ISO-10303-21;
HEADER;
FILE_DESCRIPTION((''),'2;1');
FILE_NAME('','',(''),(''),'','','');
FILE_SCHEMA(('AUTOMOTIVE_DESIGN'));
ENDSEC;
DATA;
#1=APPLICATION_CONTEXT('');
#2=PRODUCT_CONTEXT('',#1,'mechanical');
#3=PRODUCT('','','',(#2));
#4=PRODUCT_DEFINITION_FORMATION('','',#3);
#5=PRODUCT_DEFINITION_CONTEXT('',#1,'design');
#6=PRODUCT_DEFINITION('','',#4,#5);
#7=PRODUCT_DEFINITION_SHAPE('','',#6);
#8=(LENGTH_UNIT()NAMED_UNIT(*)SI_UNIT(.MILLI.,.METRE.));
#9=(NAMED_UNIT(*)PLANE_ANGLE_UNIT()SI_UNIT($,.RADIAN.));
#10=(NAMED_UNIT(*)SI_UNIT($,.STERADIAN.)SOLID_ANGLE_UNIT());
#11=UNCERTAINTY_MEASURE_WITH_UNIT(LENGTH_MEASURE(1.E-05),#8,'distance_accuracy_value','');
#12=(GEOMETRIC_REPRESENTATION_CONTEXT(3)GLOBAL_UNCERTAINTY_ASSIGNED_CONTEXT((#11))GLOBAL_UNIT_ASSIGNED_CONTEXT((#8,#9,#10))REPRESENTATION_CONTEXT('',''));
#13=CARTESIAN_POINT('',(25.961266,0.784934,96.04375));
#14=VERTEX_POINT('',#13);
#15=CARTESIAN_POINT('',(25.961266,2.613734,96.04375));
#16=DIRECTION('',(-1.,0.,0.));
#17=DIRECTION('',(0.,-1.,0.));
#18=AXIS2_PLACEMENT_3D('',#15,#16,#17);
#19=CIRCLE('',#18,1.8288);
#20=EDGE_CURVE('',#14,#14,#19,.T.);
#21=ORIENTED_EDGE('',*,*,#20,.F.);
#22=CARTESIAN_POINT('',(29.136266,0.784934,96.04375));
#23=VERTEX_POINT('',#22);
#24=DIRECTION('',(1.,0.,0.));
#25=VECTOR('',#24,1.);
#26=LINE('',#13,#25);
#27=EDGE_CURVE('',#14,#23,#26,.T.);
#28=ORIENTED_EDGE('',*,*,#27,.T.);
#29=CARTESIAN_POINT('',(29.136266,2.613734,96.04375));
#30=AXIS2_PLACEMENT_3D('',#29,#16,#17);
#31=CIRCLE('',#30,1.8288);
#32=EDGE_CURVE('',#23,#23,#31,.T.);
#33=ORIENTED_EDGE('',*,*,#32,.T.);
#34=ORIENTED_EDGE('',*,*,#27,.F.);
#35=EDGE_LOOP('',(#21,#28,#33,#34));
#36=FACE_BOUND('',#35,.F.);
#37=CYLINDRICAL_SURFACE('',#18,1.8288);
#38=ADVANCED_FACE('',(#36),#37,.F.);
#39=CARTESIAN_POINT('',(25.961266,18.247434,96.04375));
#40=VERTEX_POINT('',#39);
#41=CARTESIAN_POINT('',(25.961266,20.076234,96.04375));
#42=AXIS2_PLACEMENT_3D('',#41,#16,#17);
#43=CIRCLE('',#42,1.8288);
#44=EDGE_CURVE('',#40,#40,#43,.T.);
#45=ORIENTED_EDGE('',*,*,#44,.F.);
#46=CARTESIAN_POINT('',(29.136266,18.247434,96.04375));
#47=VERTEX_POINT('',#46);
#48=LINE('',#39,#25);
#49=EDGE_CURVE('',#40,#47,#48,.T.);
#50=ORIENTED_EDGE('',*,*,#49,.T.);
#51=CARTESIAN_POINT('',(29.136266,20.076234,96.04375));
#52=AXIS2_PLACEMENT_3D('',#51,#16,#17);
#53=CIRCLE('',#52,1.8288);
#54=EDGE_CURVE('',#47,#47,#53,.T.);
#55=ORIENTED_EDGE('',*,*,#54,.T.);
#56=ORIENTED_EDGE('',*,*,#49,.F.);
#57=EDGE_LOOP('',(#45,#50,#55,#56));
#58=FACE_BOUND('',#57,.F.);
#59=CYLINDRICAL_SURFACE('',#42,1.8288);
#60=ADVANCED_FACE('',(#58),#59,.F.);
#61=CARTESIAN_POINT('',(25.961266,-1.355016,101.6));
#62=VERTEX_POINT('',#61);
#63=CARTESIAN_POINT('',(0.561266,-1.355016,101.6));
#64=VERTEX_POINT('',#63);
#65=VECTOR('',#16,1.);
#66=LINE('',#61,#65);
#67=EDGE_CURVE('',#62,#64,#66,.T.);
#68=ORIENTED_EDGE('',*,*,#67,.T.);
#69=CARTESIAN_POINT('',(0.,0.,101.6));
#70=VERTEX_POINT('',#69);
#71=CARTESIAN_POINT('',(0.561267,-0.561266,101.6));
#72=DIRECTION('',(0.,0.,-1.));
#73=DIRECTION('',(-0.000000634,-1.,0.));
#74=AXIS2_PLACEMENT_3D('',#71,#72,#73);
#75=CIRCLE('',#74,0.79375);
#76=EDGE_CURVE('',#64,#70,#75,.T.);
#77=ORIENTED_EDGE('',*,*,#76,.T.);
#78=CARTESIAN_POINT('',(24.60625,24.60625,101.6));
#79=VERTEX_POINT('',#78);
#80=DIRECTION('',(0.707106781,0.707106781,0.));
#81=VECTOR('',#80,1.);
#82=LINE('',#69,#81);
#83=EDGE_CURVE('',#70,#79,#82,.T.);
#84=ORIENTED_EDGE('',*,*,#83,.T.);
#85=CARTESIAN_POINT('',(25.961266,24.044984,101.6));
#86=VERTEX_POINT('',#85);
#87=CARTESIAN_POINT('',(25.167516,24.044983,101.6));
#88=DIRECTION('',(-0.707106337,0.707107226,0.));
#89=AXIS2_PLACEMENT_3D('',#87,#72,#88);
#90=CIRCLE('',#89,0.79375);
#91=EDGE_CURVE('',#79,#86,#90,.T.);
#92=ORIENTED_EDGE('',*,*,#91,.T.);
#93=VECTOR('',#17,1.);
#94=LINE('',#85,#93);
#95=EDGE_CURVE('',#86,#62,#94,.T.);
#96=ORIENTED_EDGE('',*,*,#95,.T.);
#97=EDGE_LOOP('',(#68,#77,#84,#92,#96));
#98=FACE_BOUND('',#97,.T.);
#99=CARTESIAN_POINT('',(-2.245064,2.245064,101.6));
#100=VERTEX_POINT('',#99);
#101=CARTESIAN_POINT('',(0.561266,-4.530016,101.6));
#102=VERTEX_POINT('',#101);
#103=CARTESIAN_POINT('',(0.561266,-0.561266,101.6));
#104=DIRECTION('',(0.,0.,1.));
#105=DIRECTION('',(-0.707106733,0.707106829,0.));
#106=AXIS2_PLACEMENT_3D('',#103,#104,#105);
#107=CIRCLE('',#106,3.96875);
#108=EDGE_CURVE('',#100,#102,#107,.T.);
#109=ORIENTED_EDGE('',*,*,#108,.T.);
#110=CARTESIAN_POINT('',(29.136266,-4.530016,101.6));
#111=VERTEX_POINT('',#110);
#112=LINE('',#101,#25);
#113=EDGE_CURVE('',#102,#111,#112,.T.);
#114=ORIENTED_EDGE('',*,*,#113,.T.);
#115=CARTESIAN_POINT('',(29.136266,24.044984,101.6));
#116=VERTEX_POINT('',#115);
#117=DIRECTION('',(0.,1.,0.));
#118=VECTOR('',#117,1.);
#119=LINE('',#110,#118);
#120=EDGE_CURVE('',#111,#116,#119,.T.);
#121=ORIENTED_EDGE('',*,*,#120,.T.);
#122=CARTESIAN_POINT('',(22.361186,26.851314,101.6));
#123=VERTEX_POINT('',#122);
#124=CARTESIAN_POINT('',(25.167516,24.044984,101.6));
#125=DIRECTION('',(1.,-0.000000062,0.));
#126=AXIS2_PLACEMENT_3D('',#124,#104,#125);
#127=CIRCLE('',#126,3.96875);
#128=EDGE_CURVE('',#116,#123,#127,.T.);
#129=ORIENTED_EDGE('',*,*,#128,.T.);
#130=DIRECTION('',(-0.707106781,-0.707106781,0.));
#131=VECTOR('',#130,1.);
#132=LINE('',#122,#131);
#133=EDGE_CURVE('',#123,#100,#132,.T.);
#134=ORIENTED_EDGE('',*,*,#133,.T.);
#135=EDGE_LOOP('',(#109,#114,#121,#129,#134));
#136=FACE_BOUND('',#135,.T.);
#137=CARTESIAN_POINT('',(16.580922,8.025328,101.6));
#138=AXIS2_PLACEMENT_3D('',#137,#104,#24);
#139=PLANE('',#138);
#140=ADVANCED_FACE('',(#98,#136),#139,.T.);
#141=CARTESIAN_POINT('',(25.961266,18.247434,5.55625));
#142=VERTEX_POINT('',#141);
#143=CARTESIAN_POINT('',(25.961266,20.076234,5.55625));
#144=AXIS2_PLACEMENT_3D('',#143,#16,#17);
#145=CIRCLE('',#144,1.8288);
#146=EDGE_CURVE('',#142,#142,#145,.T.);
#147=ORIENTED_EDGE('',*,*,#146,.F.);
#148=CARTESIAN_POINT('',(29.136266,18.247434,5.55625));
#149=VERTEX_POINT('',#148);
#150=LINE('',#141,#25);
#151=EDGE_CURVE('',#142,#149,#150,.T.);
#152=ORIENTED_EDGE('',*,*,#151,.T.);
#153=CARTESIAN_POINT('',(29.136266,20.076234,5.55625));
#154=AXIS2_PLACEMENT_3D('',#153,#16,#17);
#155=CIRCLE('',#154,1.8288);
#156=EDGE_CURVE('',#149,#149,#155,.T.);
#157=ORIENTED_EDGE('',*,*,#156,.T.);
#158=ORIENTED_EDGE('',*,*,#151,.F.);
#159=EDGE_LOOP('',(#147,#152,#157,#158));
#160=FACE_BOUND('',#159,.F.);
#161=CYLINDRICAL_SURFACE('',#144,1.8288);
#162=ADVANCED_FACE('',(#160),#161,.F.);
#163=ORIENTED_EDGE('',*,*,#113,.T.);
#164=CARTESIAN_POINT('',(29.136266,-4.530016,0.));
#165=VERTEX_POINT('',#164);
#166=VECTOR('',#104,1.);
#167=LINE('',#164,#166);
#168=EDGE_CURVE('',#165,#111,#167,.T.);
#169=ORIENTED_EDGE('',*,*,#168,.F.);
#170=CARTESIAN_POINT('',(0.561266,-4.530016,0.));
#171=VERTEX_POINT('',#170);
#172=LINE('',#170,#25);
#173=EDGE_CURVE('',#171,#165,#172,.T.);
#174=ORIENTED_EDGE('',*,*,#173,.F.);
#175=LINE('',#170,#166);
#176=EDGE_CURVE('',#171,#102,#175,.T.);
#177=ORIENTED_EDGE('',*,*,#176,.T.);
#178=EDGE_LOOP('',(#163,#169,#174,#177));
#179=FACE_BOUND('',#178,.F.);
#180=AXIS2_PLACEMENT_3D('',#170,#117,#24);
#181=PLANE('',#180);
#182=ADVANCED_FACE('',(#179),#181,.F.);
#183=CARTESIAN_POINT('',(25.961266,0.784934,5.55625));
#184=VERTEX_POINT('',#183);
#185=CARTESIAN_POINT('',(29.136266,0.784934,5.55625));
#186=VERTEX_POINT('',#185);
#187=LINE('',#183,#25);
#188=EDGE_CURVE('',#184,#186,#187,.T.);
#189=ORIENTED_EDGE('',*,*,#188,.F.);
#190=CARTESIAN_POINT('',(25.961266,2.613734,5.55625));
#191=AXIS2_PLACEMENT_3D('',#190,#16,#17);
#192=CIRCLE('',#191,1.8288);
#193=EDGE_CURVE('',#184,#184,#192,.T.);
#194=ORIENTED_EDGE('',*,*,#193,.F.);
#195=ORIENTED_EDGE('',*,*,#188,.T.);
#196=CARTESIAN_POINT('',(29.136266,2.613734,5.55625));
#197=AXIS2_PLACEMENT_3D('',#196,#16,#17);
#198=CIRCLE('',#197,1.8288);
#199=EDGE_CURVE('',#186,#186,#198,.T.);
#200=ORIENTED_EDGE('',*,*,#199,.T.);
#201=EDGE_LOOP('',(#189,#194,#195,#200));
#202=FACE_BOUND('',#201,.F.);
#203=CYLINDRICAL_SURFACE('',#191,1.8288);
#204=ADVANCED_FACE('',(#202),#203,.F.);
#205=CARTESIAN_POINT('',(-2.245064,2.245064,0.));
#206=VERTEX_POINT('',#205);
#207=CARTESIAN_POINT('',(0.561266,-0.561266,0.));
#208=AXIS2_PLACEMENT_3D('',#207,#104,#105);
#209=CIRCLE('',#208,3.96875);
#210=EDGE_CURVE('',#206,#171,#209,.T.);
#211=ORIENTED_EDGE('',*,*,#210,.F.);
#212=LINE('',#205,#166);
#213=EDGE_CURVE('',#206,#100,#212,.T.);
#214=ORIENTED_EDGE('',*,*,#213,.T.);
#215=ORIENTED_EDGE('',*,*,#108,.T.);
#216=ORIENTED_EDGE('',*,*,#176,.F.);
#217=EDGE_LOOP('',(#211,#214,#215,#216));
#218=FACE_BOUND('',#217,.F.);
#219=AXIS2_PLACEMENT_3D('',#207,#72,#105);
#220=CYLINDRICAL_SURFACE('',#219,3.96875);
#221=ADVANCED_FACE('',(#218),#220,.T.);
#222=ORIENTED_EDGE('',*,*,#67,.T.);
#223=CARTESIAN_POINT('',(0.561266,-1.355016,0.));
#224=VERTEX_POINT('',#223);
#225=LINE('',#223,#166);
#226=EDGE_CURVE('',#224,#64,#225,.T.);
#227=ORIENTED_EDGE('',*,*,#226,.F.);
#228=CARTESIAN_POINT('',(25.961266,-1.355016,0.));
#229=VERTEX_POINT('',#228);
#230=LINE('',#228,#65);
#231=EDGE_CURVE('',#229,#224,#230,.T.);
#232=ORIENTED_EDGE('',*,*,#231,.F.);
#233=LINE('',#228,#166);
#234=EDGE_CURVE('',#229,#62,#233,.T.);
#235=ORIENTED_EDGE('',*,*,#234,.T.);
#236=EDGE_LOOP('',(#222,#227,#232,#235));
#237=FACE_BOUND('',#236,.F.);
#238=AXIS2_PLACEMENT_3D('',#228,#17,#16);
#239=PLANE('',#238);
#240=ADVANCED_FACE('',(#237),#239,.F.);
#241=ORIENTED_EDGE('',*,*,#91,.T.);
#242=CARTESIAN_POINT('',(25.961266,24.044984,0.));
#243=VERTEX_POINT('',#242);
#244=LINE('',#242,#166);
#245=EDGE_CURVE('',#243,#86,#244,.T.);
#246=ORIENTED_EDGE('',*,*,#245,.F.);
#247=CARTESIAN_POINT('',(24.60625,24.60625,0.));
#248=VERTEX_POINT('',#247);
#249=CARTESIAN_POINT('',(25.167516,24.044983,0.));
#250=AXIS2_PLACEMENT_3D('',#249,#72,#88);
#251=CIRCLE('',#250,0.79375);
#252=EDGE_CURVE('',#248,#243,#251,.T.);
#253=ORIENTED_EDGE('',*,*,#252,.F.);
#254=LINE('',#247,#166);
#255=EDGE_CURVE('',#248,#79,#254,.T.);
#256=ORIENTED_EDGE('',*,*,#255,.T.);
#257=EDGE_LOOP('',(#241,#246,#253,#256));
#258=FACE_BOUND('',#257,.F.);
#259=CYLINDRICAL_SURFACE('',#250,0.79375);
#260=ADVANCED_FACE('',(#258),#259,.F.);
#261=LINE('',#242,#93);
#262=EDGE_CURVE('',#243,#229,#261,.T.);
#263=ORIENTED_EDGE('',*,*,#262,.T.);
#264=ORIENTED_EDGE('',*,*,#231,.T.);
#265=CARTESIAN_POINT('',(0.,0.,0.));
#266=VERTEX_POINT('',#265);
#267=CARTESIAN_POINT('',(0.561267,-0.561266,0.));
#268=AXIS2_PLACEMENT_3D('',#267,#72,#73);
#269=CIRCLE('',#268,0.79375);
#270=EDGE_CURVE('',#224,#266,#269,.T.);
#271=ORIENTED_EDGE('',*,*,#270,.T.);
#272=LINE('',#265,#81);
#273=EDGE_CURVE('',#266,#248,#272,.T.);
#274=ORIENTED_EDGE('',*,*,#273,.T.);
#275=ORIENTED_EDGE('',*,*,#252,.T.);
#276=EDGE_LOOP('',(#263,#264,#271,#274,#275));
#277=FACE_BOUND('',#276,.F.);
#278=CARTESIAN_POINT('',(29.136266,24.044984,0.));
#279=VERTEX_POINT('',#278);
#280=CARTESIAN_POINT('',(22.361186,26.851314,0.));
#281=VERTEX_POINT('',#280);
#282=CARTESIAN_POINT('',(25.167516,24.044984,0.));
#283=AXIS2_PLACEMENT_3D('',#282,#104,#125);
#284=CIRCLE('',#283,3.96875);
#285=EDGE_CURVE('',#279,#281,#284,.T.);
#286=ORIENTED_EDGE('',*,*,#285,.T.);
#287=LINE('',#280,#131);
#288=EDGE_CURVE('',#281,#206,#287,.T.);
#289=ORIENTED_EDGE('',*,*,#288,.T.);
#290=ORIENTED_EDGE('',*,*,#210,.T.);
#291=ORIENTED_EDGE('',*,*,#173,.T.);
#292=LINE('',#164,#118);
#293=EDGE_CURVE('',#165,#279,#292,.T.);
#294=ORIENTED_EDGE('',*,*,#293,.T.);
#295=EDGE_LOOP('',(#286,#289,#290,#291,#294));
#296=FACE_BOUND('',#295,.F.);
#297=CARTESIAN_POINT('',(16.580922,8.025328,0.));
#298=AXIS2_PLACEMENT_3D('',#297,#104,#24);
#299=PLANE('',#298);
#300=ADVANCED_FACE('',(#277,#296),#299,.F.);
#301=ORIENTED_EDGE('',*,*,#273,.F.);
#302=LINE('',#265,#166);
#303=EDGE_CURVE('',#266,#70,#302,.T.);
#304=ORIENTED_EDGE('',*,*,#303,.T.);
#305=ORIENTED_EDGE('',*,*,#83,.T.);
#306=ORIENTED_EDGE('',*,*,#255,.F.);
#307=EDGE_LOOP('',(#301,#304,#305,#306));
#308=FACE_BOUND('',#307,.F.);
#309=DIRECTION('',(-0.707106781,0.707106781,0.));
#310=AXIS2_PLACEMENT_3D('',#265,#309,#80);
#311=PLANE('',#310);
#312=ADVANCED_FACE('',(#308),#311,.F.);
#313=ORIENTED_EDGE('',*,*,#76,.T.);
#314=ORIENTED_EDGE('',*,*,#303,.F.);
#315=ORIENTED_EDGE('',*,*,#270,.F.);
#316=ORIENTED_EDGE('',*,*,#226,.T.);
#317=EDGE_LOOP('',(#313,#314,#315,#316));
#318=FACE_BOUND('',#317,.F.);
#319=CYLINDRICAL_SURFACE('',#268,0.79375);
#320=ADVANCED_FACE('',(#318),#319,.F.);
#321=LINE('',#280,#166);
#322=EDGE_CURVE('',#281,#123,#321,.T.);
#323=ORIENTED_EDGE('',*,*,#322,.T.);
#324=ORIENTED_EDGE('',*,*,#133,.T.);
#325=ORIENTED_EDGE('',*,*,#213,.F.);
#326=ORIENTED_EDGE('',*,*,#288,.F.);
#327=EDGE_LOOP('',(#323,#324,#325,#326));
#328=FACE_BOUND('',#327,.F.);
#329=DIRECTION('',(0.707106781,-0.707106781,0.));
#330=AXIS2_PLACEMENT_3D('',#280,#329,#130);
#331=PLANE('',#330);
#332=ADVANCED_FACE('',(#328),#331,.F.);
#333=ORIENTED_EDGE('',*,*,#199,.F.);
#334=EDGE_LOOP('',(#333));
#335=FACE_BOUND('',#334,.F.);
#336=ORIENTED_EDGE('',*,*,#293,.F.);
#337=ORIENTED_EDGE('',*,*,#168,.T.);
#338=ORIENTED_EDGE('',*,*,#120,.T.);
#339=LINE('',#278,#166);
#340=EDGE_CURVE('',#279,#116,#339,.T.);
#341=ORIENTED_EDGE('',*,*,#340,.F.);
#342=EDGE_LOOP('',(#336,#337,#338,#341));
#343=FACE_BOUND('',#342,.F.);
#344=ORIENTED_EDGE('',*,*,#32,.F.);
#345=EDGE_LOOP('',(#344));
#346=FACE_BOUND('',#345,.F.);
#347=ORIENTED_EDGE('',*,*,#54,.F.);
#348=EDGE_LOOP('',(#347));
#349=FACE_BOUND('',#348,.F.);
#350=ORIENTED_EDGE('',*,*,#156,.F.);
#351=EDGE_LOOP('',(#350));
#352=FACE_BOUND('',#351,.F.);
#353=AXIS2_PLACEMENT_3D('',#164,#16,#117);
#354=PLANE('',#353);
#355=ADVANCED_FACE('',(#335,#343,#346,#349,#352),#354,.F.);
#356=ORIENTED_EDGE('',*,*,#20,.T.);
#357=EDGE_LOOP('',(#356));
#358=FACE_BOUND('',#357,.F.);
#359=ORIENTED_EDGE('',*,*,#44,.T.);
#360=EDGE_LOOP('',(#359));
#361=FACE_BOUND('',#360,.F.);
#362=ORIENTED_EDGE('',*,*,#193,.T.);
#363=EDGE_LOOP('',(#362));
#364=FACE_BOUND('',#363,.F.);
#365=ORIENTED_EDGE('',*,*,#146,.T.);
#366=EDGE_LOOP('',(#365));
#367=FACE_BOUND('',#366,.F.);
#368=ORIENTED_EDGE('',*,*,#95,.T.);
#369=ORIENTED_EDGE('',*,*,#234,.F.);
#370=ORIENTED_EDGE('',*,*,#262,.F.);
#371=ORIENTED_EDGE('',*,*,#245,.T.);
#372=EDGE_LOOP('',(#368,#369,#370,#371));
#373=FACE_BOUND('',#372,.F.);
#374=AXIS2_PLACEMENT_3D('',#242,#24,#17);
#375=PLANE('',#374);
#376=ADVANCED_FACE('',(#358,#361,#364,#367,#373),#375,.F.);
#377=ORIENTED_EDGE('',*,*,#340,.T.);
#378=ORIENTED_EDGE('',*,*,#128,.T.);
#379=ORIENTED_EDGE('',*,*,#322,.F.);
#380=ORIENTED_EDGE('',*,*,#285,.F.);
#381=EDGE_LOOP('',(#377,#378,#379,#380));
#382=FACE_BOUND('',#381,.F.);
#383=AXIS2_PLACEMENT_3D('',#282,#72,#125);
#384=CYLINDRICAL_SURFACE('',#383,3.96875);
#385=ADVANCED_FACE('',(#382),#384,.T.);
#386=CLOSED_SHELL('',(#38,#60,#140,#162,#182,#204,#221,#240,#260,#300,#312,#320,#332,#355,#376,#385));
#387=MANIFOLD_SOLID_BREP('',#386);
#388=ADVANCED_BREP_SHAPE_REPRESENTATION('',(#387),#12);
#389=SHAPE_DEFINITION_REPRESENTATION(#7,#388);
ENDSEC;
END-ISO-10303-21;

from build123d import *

# Parameters (mm, degrees)
F1_DEPTH = 101.6
F2_R     = 1.8288
F3_DEPTH = 3.175


with BuildPart() as f1:
    # F0 (on Top) → F1 (new body)
    with BuildSketch(Plane.XY):
        with BuildLine():
            Line((29.136266, -4.530016), (29.136266, 24.044984))
            ThreePointArc((29.136266, 24.044984), (26.686291, 27.711631), (22.361186, 26.851314))
            Line((22.361186, 26.851314), (-2.245064, 2.245064))
            ThreePointArc((-2.245064, 2.245064), (-3.105381, -2.080041), (0.561266, -4.530016))
            Line((0.561266, -4.530016), (29.136266, -4.530016))
        make_face()
        with BuildLine():
            Line((25.961266, -1.355016), (0.561266, -1.355016))
            ThreePointArc((0.561266, -1.355016), (-0.172063, -0.865021), (0, 0))
            Line((0, 0), (24.60625, 24.60625))
            ThreePointArc((24.60625, 24.60625), (25.471271, 24.778313), (25.961266, 24.044984))
            Line((25.961266, 24.044984), (25.961266, -1.355016))
        make_face(mode=Mode.SUBTRACT)
    extrude(amount=F1_DEPTH)

    # F2 (on face) → F3 (cut, through all)
    with BuildSketch(Plane(origin=(25.961266, 0, 0), x_dir=(0, -1, 0), z_dir=(-1, 0, 0))):
        with Locations((-20.076234, 5.55625)):
            Circle(F2_R)
        with Locations((-2.613734, 5.55625)):
            Circle(F2_R)
        with Locations((-2.613734, 96.04375)):
            Circle(F2_R)
        with Locations((-20.076234, 96.04375)):
            Circle(F2_R)
    extrude(amount=-F3_DEPTH, mode=Mode.SUBTRACT)


solid = f1.part
